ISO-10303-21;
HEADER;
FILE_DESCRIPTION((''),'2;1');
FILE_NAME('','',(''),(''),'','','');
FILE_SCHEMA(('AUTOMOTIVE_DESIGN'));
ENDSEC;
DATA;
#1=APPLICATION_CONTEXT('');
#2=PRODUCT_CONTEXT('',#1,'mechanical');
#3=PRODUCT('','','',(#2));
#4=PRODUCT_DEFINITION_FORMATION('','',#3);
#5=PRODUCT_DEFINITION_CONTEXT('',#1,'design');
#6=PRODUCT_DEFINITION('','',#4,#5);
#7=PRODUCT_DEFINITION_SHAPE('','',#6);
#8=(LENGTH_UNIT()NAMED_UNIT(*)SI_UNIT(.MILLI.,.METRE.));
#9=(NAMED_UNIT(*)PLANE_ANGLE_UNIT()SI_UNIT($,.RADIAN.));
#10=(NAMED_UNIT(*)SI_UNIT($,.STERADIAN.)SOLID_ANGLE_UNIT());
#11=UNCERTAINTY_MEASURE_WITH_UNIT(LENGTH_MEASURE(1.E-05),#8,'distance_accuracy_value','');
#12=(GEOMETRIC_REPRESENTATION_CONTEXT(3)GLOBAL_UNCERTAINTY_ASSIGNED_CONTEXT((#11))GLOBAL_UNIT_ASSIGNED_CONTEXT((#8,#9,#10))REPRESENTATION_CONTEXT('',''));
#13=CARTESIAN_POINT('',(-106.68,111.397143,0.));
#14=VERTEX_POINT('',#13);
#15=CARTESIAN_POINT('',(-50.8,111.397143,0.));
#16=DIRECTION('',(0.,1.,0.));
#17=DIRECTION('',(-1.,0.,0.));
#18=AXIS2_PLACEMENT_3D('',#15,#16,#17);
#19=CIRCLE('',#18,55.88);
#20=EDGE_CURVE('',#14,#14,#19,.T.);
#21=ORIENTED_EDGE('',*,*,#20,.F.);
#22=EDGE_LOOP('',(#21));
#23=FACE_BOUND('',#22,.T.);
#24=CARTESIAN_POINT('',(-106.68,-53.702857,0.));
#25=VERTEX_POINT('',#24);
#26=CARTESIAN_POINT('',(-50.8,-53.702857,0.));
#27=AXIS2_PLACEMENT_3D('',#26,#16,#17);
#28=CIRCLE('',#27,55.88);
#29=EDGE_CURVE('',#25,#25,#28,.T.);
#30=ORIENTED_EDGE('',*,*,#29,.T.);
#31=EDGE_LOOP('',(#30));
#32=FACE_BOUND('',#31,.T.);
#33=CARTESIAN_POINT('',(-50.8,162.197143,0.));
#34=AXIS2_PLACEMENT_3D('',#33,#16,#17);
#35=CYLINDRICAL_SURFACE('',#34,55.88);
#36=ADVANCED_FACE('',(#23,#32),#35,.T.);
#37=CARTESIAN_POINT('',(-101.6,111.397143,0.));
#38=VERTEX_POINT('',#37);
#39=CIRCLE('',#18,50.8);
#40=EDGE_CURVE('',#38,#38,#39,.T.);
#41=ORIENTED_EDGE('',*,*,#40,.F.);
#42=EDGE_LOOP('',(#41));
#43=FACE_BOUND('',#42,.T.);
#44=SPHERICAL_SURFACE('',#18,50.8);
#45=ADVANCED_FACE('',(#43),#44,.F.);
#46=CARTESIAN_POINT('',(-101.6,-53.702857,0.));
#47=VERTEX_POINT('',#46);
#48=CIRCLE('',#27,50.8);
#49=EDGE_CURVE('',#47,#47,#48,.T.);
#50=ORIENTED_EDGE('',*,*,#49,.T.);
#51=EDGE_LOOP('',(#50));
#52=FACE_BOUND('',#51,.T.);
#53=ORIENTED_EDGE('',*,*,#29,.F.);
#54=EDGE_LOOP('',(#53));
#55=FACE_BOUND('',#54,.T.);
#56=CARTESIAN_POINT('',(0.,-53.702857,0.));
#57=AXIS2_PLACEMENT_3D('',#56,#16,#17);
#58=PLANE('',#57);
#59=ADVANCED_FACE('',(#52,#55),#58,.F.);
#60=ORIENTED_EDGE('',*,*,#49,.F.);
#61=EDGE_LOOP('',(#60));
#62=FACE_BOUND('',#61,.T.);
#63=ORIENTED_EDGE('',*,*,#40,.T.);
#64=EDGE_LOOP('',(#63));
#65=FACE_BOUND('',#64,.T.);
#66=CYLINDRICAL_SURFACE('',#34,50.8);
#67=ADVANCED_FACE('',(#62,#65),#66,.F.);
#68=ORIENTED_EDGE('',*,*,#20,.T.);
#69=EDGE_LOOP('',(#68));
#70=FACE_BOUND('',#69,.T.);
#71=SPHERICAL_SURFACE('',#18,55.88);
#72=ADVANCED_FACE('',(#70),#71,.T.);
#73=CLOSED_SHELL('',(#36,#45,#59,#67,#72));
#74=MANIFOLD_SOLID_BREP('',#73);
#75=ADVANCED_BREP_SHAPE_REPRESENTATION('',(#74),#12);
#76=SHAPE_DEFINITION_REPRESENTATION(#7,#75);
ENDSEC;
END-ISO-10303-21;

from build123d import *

# Parameters (mm, degrees)
SHELL3_T = 5.08


with BuildPart() as part:
    # Sketch2 → Revolve1 (revolve)
    with BuildSketch(Plane.XY):
        with BuildLine():
            Line((-50.8, 111.397142857), (-50.8, 162.197142857))
            ThreePointArc((-50.8, 162.197142857), (-86.721024484, 147.318167341), (-101.6, 111.397142857))
            Line((-101.6, 111.397142857), (-101.6, -53.702857143))
            Line((-101.6, -53.702857143), (-50.8, -53.702857143))
            Line((-50.8, -53.702857143), (-50.8, 111.397142857))
        make_face()
    revolve(axis=Axis((-50.8, 162.197142857, 0), (0, -1, 0)))

    # Shell3
    shell3_openings = [part.faces().sort_by_distance(p)[0] for p in [
        (-50.8, -53.702857143, 0),
    ]]
    offset(amount=SHELL3_T, openings=shell3_openings, kind=Kind.INTERSECTION)


solid = part.part
